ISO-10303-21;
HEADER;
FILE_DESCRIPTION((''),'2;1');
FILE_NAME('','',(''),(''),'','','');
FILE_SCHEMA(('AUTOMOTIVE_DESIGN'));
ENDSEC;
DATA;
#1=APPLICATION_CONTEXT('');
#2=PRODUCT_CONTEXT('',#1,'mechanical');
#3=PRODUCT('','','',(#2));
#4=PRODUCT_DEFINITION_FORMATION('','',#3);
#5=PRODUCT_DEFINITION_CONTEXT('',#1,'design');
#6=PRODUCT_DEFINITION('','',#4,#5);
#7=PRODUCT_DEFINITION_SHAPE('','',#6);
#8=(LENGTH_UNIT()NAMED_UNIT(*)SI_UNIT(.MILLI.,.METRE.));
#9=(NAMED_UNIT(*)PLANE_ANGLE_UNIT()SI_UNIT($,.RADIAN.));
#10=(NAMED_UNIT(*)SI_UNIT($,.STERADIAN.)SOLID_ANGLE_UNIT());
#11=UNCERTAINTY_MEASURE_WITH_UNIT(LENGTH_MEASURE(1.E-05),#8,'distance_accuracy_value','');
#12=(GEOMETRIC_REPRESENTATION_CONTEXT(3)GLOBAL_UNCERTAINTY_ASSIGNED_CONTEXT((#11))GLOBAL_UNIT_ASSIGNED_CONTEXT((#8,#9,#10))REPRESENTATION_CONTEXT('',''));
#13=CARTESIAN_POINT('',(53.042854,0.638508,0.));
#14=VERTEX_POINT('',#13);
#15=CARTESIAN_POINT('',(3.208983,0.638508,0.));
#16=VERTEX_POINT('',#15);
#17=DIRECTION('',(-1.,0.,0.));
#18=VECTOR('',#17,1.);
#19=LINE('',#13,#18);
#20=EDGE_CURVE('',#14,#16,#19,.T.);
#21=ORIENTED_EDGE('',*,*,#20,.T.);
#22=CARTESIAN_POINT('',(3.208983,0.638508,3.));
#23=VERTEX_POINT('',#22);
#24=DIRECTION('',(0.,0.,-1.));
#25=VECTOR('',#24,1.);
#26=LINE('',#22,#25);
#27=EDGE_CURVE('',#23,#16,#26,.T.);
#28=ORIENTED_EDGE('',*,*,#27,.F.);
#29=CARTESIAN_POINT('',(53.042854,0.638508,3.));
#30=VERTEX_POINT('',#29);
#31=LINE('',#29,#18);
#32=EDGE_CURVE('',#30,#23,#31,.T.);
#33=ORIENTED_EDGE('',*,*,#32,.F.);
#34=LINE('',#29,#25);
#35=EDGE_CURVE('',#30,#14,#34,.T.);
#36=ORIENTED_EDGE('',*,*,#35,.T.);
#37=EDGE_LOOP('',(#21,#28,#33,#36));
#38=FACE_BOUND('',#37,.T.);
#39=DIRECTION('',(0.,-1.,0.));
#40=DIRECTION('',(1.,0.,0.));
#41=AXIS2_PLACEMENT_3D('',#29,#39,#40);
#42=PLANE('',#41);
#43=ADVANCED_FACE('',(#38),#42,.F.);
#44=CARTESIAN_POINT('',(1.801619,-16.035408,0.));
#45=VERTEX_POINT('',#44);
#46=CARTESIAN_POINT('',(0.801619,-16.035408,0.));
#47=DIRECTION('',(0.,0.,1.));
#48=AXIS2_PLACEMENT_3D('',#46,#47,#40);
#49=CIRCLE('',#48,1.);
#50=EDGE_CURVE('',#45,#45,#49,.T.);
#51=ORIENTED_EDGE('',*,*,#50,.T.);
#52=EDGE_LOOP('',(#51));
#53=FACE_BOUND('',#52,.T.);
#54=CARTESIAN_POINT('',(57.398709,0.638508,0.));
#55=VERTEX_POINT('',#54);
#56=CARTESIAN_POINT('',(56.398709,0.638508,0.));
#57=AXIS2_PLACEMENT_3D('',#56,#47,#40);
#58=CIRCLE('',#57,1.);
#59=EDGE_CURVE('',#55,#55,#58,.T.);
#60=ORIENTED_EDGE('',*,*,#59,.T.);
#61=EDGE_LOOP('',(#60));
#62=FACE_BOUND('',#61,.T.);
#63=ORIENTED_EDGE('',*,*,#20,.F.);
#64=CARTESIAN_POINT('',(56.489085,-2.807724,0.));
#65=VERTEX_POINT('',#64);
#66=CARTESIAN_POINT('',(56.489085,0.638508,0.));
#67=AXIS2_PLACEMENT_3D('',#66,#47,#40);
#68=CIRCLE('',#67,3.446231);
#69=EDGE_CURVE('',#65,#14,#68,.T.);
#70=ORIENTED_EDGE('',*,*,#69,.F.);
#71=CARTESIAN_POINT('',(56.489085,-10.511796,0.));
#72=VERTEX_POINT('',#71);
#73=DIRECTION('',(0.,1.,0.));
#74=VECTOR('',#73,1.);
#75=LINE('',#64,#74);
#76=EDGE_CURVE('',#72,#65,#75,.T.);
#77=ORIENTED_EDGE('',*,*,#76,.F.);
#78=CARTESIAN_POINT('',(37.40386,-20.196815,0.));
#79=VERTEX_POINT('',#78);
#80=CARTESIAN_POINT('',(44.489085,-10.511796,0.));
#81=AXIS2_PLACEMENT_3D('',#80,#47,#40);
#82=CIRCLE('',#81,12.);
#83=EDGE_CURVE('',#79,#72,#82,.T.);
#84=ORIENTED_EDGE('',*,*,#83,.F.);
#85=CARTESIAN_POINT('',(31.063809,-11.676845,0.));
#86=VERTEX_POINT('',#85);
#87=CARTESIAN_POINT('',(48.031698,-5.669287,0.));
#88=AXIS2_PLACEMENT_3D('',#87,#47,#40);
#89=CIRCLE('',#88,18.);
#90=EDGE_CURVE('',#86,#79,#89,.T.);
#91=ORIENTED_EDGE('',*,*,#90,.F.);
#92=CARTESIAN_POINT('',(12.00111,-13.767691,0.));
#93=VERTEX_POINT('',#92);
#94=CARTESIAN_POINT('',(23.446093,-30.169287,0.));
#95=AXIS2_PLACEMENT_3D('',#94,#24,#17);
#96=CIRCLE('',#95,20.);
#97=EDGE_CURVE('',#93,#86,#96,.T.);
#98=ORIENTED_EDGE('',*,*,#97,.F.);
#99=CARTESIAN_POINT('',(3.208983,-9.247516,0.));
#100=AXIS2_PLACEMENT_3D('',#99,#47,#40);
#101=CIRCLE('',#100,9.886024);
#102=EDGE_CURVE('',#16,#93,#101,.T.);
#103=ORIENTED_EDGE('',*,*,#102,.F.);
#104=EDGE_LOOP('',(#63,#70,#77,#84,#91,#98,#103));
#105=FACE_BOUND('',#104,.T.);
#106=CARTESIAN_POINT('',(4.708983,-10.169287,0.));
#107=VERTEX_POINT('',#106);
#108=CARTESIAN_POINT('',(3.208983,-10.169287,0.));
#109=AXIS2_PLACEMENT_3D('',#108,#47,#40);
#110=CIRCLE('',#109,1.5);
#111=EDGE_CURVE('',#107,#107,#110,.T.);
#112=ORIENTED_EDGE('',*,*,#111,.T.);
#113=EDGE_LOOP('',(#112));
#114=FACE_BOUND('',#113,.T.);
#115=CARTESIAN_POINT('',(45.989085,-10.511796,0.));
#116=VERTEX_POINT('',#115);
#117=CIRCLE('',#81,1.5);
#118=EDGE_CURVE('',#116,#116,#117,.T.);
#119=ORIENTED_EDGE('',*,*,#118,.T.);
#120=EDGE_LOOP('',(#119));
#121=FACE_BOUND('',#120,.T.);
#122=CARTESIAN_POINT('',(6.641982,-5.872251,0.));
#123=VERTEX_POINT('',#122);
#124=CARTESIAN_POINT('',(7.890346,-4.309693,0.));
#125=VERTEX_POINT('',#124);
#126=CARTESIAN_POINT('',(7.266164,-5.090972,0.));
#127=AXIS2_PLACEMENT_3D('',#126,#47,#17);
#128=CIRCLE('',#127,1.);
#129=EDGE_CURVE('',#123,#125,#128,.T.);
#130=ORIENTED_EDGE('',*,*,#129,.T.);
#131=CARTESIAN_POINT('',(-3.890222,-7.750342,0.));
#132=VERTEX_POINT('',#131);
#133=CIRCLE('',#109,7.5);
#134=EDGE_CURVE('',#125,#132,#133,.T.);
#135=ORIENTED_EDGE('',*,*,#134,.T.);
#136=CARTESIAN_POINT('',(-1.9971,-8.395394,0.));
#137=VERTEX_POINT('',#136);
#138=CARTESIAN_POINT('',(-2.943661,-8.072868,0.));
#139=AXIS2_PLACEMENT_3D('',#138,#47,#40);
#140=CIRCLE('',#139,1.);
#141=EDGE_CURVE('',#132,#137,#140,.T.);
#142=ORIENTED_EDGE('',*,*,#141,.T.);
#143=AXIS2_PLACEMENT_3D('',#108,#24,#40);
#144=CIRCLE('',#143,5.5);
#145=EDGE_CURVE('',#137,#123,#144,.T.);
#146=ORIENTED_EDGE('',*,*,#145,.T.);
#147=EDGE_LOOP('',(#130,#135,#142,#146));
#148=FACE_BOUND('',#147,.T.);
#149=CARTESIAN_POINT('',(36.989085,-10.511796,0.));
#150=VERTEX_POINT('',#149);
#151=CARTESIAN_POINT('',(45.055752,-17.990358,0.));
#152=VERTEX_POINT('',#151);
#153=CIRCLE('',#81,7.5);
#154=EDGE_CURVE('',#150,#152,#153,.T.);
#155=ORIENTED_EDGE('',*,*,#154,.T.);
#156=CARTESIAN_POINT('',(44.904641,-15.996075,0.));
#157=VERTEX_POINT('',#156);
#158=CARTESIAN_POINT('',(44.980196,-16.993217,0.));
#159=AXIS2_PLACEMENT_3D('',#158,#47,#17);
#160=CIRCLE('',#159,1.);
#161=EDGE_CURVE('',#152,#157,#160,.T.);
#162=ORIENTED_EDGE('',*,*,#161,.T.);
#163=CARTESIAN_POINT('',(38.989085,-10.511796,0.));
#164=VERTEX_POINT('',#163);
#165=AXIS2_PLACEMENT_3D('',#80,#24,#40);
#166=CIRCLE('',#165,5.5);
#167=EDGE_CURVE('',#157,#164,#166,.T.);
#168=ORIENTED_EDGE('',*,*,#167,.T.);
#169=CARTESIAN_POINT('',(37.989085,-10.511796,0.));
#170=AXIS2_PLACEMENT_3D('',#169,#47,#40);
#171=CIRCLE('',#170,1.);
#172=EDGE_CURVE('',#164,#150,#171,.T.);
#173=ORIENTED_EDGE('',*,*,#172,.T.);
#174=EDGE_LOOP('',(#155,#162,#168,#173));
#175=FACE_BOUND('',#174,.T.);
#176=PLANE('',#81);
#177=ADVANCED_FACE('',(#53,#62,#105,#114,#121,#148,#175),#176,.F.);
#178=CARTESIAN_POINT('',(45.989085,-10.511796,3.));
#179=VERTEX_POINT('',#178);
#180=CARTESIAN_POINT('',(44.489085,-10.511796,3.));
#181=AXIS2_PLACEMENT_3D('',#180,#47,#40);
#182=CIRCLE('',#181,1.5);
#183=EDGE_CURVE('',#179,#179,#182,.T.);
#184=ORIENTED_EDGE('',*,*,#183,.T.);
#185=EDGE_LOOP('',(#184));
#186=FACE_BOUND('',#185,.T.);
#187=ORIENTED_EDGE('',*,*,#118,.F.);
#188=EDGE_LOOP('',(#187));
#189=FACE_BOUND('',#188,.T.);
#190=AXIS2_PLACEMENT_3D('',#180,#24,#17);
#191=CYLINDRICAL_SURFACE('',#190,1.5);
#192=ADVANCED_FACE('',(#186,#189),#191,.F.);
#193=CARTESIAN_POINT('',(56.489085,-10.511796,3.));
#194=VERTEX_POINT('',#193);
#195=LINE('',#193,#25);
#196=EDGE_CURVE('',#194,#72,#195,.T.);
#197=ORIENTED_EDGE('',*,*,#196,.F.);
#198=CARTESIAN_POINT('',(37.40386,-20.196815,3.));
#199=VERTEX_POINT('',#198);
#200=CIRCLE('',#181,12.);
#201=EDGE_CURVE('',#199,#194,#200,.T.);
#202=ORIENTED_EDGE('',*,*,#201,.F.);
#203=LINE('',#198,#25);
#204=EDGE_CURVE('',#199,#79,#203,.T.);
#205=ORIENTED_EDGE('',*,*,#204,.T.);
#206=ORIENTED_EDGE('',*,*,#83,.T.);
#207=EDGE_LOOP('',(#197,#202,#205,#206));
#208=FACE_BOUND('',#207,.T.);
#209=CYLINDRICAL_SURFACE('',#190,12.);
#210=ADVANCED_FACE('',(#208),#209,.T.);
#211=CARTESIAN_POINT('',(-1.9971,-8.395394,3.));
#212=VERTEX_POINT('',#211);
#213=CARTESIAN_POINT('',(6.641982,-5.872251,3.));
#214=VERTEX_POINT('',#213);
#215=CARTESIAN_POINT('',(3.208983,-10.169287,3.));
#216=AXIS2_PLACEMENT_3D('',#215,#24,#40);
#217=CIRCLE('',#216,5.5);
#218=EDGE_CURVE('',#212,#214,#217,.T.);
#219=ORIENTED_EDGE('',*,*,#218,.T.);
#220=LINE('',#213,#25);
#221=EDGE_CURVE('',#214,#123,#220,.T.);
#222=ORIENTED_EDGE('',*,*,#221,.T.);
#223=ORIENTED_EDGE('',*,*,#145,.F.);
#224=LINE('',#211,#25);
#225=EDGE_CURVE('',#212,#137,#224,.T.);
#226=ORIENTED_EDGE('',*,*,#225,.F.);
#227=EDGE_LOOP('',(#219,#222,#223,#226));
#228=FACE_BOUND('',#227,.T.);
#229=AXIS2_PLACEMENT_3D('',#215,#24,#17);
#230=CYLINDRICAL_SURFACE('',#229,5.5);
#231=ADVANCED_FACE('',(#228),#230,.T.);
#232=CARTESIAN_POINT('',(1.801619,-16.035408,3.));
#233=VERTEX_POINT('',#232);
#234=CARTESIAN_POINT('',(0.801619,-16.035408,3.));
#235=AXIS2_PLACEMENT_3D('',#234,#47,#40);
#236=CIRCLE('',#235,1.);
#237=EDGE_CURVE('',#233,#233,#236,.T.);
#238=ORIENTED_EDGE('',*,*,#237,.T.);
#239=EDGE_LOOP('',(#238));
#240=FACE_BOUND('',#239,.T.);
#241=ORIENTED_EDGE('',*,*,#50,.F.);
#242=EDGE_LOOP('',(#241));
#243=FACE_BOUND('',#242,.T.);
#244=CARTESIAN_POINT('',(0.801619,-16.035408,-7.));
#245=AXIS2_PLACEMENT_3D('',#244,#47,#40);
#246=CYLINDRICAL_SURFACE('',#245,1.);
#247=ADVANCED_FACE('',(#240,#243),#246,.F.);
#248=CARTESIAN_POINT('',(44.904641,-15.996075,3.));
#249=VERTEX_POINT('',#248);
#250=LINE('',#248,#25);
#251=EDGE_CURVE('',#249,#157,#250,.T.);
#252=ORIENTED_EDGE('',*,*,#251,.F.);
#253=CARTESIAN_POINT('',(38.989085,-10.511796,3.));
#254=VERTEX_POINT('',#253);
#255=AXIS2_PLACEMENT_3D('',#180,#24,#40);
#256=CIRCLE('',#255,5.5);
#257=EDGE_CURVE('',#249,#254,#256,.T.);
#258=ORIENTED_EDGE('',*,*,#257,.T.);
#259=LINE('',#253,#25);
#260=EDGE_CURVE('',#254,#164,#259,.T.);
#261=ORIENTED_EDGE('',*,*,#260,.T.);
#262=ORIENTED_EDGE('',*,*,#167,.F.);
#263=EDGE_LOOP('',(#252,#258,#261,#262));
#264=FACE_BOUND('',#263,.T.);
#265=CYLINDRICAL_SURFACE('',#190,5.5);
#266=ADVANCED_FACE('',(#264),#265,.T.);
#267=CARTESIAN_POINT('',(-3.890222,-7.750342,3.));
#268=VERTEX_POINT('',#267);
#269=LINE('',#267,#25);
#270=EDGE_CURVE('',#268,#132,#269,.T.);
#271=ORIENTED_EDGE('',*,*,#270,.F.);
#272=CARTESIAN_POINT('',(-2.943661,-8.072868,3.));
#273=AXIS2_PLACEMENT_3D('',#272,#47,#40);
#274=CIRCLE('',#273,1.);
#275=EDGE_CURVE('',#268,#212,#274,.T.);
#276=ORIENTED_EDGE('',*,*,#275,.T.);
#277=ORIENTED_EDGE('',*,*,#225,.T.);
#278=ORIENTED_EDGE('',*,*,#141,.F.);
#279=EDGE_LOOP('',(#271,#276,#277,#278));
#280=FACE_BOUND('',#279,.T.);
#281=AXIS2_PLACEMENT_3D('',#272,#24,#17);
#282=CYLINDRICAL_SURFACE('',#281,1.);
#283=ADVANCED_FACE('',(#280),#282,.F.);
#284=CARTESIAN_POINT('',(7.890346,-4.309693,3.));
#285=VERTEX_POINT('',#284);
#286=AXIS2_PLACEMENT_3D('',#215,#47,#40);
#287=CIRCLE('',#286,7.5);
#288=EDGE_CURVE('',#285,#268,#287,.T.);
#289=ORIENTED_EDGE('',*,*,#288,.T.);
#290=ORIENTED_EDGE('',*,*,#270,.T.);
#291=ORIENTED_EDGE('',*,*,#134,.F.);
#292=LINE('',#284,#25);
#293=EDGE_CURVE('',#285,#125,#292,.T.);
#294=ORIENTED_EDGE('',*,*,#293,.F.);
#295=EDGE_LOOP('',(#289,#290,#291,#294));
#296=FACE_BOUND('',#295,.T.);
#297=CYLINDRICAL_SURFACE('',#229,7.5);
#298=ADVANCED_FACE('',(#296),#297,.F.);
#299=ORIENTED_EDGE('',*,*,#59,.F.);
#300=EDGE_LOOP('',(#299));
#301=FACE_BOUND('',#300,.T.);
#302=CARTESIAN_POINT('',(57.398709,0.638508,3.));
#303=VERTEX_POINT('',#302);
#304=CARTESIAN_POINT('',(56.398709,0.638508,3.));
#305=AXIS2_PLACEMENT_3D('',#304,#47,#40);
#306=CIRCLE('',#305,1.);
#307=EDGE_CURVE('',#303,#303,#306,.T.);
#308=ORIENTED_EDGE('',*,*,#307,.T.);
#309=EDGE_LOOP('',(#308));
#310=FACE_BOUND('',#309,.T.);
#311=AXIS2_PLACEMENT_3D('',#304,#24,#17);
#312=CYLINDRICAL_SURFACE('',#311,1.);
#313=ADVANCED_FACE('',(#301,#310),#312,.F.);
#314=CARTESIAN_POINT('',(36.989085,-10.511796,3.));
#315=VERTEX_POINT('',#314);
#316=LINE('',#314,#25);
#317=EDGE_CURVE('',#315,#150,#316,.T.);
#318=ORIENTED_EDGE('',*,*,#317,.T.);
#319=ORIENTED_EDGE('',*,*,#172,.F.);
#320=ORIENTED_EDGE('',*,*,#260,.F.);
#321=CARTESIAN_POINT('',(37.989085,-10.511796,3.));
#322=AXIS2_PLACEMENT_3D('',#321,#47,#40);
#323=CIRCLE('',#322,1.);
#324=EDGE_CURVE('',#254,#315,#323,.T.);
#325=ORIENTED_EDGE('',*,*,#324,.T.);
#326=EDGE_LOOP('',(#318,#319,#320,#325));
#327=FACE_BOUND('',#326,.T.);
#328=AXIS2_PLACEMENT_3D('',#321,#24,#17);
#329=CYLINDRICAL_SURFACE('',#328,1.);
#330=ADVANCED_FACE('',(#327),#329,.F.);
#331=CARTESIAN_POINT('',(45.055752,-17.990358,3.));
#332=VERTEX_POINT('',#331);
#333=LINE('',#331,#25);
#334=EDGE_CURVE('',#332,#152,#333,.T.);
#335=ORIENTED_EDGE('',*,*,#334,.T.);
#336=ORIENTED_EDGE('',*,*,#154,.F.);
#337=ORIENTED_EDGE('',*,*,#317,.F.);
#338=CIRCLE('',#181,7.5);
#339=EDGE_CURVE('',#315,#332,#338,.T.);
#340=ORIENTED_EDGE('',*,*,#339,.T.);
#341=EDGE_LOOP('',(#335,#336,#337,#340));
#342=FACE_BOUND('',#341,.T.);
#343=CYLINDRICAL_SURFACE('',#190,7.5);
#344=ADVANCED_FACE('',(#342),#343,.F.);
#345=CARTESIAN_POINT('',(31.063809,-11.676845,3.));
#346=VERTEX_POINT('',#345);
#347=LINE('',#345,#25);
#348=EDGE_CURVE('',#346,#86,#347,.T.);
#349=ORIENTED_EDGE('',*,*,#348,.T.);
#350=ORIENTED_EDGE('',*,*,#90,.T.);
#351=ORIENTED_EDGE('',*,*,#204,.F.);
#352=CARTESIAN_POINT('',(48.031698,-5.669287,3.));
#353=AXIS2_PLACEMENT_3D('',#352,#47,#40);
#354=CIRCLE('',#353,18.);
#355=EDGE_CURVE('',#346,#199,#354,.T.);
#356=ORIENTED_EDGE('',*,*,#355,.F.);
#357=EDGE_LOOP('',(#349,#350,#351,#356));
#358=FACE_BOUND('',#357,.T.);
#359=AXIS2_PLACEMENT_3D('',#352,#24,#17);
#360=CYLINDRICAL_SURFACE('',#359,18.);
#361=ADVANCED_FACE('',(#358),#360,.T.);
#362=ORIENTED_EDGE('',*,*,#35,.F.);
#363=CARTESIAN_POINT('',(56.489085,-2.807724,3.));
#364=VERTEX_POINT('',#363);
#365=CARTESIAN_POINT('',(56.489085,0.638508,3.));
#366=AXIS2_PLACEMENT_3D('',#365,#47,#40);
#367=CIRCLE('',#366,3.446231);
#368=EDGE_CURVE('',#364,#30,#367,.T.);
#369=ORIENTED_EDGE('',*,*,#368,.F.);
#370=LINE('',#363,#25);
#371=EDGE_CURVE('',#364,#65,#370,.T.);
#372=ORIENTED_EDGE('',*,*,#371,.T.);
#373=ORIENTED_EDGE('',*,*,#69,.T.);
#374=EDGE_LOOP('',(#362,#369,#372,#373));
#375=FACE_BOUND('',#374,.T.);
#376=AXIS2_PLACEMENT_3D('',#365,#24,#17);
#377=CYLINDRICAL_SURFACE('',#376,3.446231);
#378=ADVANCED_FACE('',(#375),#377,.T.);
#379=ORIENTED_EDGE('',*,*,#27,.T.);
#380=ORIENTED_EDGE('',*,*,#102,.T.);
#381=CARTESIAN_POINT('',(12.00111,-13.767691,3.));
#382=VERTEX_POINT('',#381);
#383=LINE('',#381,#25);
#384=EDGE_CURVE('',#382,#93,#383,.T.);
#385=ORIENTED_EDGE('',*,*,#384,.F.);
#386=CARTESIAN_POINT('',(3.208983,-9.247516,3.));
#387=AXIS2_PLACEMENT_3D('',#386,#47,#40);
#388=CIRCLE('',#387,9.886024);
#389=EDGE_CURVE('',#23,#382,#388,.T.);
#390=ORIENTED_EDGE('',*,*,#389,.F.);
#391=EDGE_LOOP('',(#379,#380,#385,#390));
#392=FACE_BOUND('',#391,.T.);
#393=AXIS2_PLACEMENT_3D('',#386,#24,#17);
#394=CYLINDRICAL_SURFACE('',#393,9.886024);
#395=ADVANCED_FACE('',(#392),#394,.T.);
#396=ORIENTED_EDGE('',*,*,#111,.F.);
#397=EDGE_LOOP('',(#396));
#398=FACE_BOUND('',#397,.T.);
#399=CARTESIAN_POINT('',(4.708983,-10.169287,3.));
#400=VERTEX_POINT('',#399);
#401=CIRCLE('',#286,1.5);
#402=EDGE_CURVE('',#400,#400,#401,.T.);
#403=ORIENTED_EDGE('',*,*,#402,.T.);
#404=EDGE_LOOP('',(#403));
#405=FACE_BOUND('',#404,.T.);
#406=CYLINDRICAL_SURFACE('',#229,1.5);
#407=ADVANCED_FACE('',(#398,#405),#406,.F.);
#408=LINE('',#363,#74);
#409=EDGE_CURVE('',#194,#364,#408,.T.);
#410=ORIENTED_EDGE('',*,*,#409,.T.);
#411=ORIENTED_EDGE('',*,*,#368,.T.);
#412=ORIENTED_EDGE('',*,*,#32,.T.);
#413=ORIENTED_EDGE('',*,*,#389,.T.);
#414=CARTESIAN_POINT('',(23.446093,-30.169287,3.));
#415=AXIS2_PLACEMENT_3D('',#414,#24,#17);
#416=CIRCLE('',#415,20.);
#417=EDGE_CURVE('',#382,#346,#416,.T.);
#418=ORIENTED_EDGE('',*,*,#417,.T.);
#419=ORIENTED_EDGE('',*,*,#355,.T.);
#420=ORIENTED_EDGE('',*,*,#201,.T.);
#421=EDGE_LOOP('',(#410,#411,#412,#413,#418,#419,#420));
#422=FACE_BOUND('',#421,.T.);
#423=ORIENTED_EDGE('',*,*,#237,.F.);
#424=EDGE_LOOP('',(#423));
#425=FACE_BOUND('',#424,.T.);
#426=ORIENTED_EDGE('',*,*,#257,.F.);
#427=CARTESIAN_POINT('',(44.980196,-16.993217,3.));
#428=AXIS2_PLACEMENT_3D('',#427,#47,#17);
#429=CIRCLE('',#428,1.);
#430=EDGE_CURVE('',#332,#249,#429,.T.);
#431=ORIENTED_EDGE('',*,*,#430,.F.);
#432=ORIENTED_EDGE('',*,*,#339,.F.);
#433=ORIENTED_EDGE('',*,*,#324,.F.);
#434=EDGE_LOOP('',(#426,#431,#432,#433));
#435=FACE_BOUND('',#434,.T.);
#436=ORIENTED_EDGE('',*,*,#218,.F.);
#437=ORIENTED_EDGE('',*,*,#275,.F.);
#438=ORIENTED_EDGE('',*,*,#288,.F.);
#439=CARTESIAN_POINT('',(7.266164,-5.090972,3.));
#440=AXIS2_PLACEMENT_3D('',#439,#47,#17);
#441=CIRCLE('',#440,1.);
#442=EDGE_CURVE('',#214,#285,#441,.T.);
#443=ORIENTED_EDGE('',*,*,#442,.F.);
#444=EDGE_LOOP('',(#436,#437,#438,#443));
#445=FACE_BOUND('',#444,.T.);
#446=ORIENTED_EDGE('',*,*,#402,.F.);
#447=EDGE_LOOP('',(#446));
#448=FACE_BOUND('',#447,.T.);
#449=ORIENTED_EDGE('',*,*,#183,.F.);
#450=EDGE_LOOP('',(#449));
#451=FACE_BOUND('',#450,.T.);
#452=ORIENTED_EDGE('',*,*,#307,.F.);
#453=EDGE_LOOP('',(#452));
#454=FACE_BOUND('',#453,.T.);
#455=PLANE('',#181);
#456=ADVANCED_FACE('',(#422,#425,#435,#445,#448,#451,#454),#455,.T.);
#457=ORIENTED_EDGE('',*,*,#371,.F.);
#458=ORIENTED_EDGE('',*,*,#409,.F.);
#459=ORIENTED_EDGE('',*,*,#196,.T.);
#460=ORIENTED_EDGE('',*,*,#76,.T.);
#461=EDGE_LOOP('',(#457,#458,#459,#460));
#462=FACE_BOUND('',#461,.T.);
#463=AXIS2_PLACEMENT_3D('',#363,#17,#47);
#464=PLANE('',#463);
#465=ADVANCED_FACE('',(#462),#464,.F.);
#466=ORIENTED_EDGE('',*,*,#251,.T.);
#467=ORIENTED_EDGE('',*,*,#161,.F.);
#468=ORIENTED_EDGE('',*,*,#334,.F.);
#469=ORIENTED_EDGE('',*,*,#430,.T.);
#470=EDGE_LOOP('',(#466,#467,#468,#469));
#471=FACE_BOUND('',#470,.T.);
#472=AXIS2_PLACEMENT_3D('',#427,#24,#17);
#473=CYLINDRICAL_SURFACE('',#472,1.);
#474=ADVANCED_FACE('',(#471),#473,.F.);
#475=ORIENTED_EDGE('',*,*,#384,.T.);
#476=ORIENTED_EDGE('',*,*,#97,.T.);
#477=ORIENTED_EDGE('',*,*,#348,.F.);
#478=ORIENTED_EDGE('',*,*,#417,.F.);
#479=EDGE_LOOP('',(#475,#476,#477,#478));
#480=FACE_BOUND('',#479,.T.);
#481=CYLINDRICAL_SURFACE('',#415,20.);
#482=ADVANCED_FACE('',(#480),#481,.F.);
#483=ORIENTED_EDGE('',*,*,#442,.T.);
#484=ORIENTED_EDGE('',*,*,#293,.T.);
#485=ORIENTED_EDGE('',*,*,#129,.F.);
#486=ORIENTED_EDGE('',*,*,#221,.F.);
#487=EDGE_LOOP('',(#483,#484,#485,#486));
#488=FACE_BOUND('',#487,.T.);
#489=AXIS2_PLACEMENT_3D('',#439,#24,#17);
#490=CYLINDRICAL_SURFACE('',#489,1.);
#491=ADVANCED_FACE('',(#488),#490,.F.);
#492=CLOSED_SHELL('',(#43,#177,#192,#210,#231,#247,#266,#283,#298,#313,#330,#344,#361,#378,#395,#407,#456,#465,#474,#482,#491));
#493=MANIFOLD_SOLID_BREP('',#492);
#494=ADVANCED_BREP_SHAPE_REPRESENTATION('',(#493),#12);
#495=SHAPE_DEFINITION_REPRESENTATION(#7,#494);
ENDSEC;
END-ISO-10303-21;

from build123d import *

# Parameters (mm, degrees)
SKETCH1_R           = 1
SKETCH1_R_2         = 1.5
BOSS_EXTRUDE1_DEPTH = 3
SKETCH2_R           = 1
CUT_EXTRUDE1_DEPTH  = 10


with BuildPart() as part:
    # Sketch1 → Boss-Extrude1 (new body)
    with BuildSketch(Plane.XY):
        with BuildLine():
            Line((56.489085284, -2.807723586), (56.489085284, -10.511796182))
            ThreePointArc((56.489085284, -10.511796182), (49.919430424, -21.212793876), (37.403860007, -20.196814652))
            ThreePointArc((37.403860007, -20.196814652), (33.591182056, -16.415053625), (31.06380939, -11.676845415))
            ThreePointArc((31.06380939, -11.676845415), (21.265519298, -10.288514848), (12.001109648, -13.767690656))
            ThreePointArc((12.001109648, -13.767690656), (-5.229619348, -14.397609216), (3.208983014, 0.638507613))
            Line((3.208983014, 0.638507613), (53.042854085, 0.638507613))
            ThreePointArc((53.042854085, 0.638507613), (58.925938734, 3.075361063), (56.489085284, -2.807723586))
        make_face()
        with Locations((56.398708828, 0.638507613)):
            Circle(SKETCH1_R, mode=Mode.SUBTRACT)
        with Locations((44.489085284, -10.511796182)):
            Circle(SKETCH1_R_2, mode=Mode.SUBTRACT)
        with Locations((3.208983014, -10.169286947)):
            Circle(SKETCH1_R_2, mode=Mode.SUBTRACT)
        with BuildLine():
            ThreePointArc((38.989085284, -10.511796182), (40.749804307, -14.545129515), (44.90464084, -15.996074947))
            ThreePointArc((44.90464084, -15.996074947), (45.977337989, -16.917660986), (45.055751951, -17.990358135))
            ThreePointArc((45.055751951, -17.990358135), (39.39006577, -16.011796182), (36.989085284, -10.511796182))
            ThreePointArc((36.989085284, -10.511796182), (37.989085284, -9.511796182), (38.989085284, -10.511796182))
        make_face(mode=Mode.SUBTRACT)
        with BuildLine():
            ThreePointArc((6.641982325, -5.872251255), (1.667062363, -4.889847516), (-1.99710038, -8.395394139))
            ThreePointArc((-1.99710038, -8.395394139), (-3.266186962, -9.019428792), (-3.890221615, -7.75034221))
            ThreePointArc((-3.890221615, -7.75034221), (1.106363944, -2.970051359), (7.890345711, -4.309692822))
            ThreePointArc((7.890345711, -4.309692822), (8.047443234, -5.715153732), (6.641982325, -5.872251255))
        make_face(mode=Mode.SUBTRACT)
    extrude(amount=BOSS_EXTRUDE1_DEPTH)

    # Sketch2 → Cut-Extrude1 (cut)
    with BuildSketch(Plane.XY.offset(3)):
        with Locations((0.801619135, -16.035407907)):
            Circle(SKETCH2_R)
    extrude(amount=-CUT_EXTRUDE1_DEPTH, mode=Mode.SUBTRACT)


solid = part.part
